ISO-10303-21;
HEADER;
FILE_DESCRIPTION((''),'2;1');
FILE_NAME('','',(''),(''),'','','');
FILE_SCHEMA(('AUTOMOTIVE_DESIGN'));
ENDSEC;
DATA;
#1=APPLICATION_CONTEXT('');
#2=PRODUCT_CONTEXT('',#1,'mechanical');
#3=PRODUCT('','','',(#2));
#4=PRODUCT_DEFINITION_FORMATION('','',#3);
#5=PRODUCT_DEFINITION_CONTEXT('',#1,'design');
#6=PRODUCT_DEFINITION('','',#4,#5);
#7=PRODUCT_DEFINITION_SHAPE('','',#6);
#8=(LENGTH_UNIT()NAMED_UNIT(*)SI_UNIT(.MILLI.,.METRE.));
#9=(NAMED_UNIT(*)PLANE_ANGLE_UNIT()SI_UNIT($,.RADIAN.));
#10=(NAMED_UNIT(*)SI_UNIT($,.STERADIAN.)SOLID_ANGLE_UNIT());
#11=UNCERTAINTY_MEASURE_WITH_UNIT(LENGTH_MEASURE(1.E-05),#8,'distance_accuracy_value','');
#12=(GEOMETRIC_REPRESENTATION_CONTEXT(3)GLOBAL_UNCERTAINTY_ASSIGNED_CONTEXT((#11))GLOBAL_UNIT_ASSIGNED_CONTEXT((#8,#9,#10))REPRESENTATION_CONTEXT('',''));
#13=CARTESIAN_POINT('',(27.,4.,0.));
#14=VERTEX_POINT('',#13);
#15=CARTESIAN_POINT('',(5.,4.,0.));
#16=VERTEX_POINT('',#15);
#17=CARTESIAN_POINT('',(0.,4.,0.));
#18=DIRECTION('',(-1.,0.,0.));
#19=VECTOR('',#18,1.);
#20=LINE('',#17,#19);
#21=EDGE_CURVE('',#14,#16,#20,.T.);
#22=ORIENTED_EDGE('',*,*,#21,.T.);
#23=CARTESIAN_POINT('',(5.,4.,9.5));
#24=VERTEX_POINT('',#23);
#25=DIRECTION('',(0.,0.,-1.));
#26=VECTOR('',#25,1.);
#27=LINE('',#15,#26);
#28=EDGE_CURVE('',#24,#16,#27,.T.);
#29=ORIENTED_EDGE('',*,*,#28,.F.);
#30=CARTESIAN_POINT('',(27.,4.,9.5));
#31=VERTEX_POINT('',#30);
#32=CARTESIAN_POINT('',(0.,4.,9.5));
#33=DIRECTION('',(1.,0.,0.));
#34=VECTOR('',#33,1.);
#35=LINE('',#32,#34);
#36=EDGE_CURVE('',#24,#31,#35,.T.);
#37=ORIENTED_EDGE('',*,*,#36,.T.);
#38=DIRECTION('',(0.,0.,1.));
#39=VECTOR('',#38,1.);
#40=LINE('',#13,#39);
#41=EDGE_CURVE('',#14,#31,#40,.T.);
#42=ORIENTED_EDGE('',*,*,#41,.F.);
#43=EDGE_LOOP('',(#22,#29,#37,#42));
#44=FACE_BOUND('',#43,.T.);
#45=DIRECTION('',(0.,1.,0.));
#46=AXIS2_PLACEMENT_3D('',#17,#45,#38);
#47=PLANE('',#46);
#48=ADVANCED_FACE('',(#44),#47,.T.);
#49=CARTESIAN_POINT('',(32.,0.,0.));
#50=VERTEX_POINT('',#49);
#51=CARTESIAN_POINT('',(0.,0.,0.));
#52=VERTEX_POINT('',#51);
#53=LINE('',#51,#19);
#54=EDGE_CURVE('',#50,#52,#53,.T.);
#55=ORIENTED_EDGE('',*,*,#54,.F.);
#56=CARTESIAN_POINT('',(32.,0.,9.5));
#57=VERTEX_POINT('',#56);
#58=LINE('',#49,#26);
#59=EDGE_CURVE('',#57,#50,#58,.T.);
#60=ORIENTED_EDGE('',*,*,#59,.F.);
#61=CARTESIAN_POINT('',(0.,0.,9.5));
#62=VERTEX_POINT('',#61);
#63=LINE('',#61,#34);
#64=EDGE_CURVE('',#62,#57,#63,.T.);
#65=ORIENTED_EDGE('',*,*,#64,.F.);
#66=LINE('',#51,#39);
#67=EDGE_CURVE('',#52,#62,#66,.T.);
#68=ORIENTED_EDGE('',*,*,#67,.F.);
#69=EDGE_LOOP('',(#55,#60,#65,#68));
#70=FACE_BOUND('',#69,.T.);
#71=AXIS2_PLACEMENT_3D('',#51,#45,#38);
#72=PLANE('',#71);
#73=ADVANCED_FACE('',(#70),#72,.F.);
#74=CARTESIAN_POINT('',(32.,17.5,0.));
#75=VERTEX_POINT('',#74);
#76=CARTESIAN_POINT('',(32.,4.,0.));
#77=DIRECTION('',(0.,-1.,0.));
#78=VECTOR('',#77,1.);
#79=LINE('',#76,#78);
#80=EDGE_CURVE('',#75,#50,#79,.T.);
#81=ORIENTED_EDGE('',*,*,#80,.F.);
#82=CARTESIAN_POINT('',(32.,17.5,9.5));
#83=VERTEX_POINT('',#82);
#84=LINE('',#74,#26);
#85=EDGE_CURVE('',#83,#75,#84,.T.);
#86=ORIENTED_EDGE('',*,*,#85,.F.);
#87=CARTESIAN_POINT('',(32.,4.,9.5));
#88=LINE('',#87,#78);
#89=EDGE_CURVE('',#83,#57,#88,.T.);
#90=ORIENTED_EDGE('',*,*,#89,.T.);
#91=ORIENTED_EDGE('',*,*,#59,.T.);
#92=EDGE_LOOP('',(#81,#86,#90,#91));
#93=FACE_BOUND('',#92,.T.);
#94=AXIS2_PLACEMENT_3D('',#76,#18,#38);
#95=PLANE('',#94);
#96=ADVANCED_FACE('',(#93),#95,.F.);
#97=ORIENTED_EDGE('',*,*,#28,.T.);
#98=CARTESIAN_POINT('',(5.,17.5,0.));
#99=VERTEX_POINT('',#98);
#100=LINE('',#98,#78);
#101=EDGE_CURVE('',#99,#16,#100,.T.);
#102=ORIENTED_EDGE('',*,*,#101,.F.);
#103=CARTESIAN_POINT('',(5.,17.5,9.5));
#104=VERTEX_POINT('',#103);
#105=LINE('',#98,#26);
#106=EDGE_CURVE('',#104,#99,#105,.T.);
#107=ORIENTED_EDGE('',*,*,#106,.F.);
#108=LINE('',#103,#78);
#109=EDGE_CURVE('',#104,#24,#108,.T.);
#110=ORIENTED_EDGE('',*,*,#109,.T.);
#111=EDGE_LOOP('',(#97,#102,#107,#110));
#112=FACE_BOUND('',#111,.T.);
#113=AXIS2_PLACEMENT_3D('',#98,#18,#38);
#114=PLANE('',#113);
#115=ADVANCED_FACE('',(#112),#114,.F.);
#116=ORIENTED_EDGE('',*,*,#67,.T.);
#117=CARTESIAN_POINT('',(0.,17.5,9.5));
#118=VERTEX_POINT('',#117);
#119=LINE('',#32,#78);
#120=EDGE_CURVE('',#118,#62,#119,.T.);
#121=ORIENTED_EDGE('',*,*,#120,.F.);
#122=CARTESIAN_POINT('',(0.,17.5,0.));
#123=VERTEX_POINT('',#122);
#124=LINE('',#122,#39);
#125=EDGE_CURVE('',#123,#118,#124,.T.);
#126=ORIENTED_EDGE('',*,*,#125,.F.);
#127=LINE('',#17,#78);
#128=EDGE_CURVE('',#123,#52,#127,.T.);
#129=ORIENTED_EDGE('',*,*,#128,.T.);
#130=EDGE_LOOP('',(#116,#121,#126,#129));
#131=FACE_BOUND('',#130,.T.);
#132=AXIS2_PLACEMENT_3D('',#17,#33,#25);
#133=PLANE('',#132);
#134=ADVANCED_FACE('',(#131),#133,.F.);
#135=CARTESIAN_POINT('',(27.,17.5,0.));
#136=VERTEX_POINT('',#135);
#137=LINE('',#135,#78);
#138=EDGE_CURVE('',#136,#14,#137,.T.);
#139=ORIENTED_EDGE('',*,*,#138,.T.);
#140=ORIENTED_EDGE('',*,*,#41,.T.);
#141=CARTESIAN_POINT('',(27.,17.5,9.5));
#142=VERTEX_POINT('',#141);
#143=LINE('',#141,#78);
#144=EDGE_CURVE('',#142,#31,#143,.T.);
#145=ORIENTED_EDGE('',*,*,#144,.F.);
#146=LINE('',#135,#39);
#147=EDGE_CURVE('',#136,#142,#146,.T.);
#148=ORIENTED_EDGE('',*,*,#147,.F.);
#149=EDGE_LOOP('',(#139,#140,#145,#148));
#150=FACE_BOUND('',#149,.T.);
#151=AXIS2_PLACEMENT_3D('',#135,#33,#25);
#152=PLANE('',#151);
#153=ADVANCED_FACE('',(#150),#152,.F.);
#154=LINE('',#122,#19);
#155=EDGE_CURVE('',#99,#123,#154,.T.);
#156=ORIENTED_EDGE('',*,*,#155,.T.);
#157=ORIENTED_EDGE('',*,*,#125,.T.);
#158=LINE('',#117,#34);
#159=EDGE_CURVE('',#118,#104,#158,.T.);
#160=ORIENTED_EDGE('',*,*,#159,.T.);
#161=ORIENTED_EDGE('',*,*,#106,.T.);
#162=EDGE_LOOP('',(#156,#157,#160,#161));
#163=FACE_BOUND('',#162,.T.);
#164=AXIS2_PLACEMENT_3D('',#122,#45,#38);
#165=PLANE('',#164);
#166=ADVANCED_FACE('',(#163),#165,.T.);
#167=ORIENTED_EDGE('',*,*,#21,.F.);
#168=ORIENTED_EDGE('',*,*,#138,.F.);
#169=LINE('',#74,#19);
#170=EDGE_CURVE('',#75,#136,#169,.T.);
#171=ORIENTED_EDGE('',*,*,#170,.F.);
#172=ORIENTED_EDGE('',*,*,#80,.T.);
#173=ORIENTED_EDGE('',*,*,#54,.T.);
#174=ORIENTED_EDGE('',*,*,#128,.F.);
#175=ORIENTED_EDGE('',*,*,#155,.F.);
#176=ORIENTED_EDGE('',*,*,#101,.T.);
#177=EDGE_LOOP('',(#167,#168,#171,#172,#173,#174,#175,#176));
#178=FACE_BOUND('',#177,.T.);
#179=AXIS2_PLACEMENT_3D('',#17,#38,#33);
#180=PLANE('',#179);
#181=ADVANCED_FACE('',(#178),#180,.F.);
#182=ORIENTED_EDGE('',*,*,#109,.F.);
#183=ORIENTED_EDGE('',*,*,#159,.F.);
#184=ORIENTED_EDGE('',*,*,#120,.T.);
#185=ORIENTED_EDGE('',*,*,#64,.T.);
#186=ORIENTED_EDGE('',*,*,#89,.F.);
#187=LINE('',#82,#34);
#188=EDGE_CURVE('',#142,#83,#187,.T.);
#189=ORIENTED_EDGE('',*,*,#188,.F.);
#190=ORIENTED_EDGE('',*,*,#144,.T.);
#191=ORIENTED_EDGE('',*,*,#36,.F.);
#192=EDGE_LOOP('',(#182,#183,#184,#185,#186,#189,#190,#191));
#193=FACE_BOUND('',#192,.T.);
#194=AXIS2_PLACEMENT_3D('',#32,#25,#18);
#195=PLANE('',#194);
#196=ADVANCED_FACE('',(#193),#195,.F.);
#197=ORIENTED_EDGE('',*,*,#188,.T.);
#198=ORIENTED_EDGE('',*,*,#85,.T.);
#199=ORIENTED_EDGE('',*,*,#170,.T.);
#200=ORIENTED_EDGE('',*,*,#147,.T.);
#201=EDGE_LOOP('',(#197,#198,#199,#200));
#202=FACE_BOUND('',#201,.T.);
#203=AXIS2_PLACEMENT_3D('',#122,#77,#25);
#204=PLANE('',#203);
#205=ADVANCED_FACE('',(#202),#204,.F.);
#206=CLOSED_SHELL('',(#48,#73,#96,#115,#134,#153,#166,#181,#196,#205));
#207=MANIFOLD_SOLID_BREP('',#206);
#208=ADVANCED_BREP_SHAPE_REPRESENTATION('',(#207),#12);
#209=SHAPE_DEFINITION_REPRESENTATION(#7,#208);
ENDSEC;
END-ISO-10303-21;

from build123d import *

# Parameters (mm, degrees)
SKETCH_1_W      = 32
SKETCH_1_H      = 9.5
EXTRUDE_1_DEPTH = 4
SKETCH_2_W      = 5
SKETCH_2_H      = 9.5
EXTRUDE_2_DEPTH = 13.5
SKETCH_3_W      = 5
SKETCH_3_H      = 9.5
EXTRUDE_3_DEPTH = 13.5


with BuildPart() as part:
    # 草图1 → 凸台-拉伸1 (new body)
    with BuildSketch(Plane(origin=(0, 0, 0), x_dir=(1, 0, 0), z_dir=(0, 1, 0))):
        with Locations((16, -4.75)):
            Rectangle(SKETCH_1_W, SKETCH_1_H)
    extrude(amount=EXTRUDE_1_DEPTH)

    # 草图2 → 凸台-拉伸2 (add)
    with BuildSketch(Plane(origin=(0, 4, 0), x_dir=(1, 0, 0), z_dir=(0, 1, 0))):
        with Locations((2.5, -4.75)):
            Rectangle(SKETCH_2_W, SKETCH_2_H)
    extrude(amount=EXTRUDE_2_DEPTH)

    # 草图3 → 凸台-拉伸3 (add)
    with BuildSketch(Plane(origin=(0, 4, 0), x_dir=(1, 0, 0), z_dir=(0, 1, 0))):
        with Locations((29.5, -4.75)):
            Rectangle(SKETCH_3_W, SKETCH_3_H)
    extrude(amount=EXTRUDE_3_DEPTH)


solid = part.part
